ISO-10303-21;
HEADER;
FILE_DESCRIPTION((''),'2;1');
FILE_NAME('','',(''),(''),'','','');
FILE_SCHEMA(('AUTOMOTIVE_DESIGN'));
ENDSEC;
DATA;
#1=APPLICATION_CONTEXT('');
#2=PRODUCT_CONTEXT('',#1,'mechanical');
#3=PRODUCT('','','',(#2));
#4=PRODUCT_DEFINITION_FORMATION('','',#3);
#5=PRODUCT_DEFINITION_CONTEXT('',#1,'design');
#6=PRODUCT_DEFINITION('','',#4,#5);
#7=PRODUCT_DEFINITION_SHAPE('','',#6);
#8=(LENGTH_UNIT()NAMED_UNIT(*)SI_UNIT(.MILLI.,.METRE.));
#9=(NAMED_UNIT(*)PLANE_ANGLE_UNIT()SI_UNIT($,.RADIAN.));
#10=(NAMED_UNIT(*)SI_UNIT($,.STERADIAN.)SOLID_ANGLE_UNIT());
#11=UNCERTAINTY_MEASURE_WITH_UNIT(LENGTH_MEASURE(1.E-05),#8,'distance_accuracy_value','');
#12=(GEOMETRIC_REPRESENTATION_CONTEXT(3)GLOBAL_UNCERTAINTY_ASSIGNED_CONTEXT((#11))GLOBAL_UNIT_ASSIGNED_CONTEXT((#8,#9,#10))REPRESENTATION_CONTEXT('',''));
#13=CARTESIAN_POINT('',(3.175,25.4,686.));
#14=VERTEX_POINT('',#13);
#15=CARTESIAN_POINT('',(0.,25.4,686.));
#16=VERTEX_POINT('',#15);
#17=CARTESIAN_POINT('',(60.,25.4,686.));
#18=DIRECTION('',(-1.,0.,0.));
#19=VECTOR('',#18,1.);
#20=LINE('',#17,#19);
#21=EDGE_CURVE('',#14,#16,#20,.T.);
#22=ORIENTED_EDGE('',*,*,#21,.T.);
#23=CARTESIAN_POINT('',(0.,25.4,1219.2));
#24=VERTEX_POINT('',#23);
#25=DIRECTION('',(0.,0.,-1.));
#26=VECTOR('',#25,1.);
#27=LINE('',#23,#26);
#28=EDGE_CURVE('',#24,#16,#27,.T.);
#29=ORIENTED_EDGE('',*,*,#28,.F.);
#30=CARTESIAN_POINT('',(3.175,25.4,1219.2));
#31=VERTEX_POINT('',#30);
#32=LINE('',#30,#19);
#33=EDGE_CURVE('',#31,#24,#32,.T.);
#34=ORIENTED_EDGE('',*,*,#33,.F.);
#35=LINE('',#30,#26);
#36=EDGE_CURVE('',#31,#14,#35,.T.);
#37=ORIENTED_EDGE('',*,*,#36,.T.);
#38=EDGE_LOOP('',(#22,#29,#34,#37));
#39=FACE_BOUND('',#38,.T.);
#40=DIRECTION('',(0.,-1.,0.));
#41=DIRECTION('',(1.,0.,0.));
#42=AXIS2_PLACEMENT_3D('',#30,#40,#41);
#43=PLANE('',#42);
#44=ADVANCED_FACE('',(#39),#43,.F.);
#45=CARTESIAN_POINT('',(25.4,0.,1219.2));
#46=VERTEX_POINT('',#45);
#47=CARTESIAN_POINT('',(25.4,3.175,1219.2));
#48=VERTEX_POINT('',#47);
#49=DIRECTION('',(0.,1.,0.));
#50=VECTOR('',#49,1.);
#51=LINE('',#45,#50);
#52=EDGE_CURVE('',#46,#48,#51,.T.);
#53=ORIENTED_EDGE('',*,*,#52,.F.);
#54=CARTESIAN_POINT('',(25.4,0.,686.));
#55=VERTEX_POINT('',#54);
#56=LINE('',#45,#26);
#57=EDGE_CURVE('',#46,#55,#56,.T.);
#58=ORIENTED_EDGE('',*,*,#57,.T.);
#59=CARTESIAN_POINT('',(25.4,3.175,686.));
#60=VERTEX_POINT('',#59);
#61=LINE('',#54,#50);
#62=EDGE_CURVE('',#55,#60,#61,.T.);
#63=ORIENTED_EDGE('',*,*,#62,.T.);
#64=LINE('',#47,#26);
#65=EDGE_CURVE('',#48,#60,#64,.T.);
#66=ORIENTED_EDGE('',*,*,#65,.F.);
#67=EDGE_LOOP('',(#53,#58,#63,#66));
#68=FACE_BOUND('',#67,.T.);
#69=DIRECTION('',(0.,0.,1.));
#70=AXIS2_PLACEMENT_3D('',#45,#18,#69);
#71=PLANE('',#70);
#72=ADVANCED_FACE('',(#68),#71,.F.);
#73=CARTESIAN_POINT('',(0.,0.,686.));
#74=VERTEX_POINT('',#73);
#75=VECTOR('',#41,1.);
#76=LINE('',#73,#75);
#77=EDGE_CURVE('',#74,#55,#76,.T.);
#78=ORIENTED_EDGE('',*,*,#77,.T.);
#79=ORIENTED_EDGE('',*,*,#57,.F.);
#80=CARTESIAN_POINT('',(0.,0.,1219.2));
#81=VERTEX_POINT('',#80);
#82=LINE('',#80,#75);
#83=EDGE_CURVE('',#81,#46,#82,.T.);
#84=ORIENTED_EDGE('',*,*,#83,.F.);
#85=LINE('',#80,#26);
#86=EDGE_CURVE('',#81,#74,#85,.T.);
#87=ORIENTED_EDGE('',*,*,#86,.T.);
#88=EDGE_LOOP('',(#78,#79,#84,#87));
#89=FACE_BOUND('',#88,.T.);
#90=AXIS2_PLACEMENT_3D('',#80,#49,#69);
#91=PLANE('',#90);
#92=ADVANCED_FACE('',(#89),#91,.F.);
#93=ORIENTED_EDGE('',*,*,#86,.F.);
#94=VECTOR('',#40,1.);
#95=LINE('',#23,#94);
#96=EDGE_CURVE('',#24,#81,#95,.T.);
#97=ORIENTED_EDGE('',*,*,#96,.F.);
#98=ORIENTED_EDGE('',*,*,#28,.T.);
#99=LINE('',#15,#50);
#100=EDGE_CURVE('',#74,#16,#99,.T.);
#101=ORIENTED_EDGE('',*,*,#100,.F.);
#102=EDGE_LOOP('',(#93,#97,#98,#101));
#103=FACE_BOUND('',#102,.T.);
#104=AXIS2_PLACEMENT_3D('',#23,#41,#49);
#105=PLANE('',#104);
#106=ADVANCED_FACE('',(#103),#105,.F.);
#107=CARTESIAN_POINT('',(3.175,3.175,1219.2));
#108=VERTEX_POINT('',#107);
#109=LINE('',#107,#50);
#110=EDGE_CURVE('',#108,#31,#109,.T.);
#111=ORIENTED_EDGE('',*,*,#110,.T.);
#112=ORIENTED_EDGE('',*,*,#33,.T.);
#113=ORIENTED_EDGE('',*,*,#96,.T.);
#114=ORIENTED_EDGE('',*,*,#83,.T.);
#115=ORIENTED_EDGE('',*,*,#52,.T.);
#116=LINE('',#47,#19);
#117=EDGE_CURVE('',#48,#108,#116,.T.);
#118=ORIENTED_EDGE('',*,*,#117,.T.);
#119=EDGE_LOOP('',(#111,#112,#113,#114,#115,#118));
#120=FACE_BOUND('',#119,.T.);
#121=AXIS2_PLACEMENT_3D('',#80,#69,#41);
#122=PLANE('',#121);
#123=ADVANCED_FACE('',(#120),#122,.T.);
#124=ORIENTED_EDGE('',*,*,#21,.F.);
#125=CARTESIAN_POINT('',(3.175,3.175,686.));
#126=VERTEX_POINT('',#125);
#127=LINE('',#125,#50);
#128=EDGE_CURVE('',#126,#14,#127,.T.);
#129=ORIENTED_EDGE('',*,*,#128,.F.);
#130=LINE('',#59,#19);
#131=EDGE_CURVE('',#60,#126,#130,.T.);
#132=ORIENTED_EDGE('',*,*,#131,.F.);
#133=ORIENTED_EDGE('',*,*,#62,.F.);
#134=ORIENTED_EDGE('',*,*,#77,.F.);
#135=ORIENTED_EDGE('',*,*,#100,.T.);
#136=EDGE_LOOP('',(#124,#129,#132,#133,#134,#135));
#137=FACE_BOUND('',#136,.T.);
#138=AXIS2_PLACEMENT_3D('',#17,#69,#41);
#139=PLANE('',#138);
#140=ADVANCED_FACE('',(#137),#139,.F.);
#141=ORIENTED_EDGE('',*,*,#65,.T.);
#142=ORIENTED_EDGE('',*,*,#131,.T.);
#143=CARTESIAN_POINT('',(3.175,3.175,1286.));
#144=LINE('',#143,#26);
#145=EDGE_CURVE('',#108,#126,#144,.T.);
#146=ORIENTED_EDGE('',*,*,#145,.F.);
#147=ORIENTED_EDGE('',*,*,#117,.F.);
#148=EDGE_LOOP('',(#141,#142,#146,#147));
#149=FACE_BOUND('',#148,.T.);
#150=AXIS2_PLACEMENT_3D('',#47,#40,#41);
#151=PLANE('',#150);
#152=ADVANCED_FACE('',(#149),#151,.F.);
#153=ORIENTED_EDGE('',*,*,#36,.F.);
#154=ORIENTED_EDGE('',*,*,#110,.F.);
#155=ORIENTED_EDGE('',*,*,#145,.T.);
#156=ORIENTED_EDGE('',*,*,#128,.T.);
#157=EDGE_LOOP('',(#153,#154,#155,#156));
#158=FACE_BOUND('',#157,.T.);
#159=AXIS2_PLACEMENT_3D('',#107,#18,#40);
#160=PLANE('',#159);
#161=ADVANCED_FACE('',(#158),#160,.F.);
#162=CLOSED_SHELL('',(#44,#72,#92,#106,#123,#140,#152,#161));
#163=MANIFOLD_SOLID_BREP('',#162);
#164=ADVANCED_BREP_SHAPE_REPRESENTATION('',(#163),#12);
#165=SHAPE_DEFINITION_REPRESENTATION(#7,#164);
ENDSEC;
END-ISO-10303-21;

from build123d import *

# Parameters (mm, degrees)
BOSS_EXTRUDE1_DEPTH = 1219.2
FILLET1_R           = 0.4064
SKETCH4_W           = 1905.2
SKETCH4_H           = 103.278519729
CUT_EXTRUDE1_DEPTH  = 60
SKETCH5_W           = 2.47699065
SKETCH5_H           = 2.94685794
CUT_EXTRUDE2_DEPTH  = 600


with BuildPart() as part:
    # Sketch3 → Boss-Extrude1 (new, symmetric)
    with BuildSketch(Plane.XY):
        Polygon((3.175, 25.4), (0, 25.4), (0, 0), (25.4, 0), (25.4, 3.175), (3.175, 3.175), align=None)
    extrude(amount=BOSS_EXTRUDE1_DEPTH, both=True)

    # Fillet1
    fillet1_edges = [part.edges().sort_by_distance(p)[0] for p in [
        (3.175, 3.175, 0),
    ]]
    fillet(fillet1_edges, radius=FILLET1_R)

    # Sketch4 → Cut-Extrude1 (cut)
    with BuildSketch(Plane.ZY):
        with Locations((-266.6, -26.239259864)):
            Rectangle(SKETCH4_W, SKETCH4_H)
    extrude(amount=-CUT_EXTRUDE1_DEPTH, mode=Mode.SUBTRACT)

    # Sketch5 → Cut-Extrude2 (cut)
    with BuildSketch(Plane(origin=(0, 0, 686), x_dir=(-1, 0, 0), z_dir=(0, 0, -1))):
        with Locations((-4.413495325, 4.64842897)):
            Rectangle(SKETCH5_W, SKETCH5_H)
    extrude(amount=-CUT_EXTRUDE2_DEPTH, mode=Mode.SUBTRACT)


solid = part.part
